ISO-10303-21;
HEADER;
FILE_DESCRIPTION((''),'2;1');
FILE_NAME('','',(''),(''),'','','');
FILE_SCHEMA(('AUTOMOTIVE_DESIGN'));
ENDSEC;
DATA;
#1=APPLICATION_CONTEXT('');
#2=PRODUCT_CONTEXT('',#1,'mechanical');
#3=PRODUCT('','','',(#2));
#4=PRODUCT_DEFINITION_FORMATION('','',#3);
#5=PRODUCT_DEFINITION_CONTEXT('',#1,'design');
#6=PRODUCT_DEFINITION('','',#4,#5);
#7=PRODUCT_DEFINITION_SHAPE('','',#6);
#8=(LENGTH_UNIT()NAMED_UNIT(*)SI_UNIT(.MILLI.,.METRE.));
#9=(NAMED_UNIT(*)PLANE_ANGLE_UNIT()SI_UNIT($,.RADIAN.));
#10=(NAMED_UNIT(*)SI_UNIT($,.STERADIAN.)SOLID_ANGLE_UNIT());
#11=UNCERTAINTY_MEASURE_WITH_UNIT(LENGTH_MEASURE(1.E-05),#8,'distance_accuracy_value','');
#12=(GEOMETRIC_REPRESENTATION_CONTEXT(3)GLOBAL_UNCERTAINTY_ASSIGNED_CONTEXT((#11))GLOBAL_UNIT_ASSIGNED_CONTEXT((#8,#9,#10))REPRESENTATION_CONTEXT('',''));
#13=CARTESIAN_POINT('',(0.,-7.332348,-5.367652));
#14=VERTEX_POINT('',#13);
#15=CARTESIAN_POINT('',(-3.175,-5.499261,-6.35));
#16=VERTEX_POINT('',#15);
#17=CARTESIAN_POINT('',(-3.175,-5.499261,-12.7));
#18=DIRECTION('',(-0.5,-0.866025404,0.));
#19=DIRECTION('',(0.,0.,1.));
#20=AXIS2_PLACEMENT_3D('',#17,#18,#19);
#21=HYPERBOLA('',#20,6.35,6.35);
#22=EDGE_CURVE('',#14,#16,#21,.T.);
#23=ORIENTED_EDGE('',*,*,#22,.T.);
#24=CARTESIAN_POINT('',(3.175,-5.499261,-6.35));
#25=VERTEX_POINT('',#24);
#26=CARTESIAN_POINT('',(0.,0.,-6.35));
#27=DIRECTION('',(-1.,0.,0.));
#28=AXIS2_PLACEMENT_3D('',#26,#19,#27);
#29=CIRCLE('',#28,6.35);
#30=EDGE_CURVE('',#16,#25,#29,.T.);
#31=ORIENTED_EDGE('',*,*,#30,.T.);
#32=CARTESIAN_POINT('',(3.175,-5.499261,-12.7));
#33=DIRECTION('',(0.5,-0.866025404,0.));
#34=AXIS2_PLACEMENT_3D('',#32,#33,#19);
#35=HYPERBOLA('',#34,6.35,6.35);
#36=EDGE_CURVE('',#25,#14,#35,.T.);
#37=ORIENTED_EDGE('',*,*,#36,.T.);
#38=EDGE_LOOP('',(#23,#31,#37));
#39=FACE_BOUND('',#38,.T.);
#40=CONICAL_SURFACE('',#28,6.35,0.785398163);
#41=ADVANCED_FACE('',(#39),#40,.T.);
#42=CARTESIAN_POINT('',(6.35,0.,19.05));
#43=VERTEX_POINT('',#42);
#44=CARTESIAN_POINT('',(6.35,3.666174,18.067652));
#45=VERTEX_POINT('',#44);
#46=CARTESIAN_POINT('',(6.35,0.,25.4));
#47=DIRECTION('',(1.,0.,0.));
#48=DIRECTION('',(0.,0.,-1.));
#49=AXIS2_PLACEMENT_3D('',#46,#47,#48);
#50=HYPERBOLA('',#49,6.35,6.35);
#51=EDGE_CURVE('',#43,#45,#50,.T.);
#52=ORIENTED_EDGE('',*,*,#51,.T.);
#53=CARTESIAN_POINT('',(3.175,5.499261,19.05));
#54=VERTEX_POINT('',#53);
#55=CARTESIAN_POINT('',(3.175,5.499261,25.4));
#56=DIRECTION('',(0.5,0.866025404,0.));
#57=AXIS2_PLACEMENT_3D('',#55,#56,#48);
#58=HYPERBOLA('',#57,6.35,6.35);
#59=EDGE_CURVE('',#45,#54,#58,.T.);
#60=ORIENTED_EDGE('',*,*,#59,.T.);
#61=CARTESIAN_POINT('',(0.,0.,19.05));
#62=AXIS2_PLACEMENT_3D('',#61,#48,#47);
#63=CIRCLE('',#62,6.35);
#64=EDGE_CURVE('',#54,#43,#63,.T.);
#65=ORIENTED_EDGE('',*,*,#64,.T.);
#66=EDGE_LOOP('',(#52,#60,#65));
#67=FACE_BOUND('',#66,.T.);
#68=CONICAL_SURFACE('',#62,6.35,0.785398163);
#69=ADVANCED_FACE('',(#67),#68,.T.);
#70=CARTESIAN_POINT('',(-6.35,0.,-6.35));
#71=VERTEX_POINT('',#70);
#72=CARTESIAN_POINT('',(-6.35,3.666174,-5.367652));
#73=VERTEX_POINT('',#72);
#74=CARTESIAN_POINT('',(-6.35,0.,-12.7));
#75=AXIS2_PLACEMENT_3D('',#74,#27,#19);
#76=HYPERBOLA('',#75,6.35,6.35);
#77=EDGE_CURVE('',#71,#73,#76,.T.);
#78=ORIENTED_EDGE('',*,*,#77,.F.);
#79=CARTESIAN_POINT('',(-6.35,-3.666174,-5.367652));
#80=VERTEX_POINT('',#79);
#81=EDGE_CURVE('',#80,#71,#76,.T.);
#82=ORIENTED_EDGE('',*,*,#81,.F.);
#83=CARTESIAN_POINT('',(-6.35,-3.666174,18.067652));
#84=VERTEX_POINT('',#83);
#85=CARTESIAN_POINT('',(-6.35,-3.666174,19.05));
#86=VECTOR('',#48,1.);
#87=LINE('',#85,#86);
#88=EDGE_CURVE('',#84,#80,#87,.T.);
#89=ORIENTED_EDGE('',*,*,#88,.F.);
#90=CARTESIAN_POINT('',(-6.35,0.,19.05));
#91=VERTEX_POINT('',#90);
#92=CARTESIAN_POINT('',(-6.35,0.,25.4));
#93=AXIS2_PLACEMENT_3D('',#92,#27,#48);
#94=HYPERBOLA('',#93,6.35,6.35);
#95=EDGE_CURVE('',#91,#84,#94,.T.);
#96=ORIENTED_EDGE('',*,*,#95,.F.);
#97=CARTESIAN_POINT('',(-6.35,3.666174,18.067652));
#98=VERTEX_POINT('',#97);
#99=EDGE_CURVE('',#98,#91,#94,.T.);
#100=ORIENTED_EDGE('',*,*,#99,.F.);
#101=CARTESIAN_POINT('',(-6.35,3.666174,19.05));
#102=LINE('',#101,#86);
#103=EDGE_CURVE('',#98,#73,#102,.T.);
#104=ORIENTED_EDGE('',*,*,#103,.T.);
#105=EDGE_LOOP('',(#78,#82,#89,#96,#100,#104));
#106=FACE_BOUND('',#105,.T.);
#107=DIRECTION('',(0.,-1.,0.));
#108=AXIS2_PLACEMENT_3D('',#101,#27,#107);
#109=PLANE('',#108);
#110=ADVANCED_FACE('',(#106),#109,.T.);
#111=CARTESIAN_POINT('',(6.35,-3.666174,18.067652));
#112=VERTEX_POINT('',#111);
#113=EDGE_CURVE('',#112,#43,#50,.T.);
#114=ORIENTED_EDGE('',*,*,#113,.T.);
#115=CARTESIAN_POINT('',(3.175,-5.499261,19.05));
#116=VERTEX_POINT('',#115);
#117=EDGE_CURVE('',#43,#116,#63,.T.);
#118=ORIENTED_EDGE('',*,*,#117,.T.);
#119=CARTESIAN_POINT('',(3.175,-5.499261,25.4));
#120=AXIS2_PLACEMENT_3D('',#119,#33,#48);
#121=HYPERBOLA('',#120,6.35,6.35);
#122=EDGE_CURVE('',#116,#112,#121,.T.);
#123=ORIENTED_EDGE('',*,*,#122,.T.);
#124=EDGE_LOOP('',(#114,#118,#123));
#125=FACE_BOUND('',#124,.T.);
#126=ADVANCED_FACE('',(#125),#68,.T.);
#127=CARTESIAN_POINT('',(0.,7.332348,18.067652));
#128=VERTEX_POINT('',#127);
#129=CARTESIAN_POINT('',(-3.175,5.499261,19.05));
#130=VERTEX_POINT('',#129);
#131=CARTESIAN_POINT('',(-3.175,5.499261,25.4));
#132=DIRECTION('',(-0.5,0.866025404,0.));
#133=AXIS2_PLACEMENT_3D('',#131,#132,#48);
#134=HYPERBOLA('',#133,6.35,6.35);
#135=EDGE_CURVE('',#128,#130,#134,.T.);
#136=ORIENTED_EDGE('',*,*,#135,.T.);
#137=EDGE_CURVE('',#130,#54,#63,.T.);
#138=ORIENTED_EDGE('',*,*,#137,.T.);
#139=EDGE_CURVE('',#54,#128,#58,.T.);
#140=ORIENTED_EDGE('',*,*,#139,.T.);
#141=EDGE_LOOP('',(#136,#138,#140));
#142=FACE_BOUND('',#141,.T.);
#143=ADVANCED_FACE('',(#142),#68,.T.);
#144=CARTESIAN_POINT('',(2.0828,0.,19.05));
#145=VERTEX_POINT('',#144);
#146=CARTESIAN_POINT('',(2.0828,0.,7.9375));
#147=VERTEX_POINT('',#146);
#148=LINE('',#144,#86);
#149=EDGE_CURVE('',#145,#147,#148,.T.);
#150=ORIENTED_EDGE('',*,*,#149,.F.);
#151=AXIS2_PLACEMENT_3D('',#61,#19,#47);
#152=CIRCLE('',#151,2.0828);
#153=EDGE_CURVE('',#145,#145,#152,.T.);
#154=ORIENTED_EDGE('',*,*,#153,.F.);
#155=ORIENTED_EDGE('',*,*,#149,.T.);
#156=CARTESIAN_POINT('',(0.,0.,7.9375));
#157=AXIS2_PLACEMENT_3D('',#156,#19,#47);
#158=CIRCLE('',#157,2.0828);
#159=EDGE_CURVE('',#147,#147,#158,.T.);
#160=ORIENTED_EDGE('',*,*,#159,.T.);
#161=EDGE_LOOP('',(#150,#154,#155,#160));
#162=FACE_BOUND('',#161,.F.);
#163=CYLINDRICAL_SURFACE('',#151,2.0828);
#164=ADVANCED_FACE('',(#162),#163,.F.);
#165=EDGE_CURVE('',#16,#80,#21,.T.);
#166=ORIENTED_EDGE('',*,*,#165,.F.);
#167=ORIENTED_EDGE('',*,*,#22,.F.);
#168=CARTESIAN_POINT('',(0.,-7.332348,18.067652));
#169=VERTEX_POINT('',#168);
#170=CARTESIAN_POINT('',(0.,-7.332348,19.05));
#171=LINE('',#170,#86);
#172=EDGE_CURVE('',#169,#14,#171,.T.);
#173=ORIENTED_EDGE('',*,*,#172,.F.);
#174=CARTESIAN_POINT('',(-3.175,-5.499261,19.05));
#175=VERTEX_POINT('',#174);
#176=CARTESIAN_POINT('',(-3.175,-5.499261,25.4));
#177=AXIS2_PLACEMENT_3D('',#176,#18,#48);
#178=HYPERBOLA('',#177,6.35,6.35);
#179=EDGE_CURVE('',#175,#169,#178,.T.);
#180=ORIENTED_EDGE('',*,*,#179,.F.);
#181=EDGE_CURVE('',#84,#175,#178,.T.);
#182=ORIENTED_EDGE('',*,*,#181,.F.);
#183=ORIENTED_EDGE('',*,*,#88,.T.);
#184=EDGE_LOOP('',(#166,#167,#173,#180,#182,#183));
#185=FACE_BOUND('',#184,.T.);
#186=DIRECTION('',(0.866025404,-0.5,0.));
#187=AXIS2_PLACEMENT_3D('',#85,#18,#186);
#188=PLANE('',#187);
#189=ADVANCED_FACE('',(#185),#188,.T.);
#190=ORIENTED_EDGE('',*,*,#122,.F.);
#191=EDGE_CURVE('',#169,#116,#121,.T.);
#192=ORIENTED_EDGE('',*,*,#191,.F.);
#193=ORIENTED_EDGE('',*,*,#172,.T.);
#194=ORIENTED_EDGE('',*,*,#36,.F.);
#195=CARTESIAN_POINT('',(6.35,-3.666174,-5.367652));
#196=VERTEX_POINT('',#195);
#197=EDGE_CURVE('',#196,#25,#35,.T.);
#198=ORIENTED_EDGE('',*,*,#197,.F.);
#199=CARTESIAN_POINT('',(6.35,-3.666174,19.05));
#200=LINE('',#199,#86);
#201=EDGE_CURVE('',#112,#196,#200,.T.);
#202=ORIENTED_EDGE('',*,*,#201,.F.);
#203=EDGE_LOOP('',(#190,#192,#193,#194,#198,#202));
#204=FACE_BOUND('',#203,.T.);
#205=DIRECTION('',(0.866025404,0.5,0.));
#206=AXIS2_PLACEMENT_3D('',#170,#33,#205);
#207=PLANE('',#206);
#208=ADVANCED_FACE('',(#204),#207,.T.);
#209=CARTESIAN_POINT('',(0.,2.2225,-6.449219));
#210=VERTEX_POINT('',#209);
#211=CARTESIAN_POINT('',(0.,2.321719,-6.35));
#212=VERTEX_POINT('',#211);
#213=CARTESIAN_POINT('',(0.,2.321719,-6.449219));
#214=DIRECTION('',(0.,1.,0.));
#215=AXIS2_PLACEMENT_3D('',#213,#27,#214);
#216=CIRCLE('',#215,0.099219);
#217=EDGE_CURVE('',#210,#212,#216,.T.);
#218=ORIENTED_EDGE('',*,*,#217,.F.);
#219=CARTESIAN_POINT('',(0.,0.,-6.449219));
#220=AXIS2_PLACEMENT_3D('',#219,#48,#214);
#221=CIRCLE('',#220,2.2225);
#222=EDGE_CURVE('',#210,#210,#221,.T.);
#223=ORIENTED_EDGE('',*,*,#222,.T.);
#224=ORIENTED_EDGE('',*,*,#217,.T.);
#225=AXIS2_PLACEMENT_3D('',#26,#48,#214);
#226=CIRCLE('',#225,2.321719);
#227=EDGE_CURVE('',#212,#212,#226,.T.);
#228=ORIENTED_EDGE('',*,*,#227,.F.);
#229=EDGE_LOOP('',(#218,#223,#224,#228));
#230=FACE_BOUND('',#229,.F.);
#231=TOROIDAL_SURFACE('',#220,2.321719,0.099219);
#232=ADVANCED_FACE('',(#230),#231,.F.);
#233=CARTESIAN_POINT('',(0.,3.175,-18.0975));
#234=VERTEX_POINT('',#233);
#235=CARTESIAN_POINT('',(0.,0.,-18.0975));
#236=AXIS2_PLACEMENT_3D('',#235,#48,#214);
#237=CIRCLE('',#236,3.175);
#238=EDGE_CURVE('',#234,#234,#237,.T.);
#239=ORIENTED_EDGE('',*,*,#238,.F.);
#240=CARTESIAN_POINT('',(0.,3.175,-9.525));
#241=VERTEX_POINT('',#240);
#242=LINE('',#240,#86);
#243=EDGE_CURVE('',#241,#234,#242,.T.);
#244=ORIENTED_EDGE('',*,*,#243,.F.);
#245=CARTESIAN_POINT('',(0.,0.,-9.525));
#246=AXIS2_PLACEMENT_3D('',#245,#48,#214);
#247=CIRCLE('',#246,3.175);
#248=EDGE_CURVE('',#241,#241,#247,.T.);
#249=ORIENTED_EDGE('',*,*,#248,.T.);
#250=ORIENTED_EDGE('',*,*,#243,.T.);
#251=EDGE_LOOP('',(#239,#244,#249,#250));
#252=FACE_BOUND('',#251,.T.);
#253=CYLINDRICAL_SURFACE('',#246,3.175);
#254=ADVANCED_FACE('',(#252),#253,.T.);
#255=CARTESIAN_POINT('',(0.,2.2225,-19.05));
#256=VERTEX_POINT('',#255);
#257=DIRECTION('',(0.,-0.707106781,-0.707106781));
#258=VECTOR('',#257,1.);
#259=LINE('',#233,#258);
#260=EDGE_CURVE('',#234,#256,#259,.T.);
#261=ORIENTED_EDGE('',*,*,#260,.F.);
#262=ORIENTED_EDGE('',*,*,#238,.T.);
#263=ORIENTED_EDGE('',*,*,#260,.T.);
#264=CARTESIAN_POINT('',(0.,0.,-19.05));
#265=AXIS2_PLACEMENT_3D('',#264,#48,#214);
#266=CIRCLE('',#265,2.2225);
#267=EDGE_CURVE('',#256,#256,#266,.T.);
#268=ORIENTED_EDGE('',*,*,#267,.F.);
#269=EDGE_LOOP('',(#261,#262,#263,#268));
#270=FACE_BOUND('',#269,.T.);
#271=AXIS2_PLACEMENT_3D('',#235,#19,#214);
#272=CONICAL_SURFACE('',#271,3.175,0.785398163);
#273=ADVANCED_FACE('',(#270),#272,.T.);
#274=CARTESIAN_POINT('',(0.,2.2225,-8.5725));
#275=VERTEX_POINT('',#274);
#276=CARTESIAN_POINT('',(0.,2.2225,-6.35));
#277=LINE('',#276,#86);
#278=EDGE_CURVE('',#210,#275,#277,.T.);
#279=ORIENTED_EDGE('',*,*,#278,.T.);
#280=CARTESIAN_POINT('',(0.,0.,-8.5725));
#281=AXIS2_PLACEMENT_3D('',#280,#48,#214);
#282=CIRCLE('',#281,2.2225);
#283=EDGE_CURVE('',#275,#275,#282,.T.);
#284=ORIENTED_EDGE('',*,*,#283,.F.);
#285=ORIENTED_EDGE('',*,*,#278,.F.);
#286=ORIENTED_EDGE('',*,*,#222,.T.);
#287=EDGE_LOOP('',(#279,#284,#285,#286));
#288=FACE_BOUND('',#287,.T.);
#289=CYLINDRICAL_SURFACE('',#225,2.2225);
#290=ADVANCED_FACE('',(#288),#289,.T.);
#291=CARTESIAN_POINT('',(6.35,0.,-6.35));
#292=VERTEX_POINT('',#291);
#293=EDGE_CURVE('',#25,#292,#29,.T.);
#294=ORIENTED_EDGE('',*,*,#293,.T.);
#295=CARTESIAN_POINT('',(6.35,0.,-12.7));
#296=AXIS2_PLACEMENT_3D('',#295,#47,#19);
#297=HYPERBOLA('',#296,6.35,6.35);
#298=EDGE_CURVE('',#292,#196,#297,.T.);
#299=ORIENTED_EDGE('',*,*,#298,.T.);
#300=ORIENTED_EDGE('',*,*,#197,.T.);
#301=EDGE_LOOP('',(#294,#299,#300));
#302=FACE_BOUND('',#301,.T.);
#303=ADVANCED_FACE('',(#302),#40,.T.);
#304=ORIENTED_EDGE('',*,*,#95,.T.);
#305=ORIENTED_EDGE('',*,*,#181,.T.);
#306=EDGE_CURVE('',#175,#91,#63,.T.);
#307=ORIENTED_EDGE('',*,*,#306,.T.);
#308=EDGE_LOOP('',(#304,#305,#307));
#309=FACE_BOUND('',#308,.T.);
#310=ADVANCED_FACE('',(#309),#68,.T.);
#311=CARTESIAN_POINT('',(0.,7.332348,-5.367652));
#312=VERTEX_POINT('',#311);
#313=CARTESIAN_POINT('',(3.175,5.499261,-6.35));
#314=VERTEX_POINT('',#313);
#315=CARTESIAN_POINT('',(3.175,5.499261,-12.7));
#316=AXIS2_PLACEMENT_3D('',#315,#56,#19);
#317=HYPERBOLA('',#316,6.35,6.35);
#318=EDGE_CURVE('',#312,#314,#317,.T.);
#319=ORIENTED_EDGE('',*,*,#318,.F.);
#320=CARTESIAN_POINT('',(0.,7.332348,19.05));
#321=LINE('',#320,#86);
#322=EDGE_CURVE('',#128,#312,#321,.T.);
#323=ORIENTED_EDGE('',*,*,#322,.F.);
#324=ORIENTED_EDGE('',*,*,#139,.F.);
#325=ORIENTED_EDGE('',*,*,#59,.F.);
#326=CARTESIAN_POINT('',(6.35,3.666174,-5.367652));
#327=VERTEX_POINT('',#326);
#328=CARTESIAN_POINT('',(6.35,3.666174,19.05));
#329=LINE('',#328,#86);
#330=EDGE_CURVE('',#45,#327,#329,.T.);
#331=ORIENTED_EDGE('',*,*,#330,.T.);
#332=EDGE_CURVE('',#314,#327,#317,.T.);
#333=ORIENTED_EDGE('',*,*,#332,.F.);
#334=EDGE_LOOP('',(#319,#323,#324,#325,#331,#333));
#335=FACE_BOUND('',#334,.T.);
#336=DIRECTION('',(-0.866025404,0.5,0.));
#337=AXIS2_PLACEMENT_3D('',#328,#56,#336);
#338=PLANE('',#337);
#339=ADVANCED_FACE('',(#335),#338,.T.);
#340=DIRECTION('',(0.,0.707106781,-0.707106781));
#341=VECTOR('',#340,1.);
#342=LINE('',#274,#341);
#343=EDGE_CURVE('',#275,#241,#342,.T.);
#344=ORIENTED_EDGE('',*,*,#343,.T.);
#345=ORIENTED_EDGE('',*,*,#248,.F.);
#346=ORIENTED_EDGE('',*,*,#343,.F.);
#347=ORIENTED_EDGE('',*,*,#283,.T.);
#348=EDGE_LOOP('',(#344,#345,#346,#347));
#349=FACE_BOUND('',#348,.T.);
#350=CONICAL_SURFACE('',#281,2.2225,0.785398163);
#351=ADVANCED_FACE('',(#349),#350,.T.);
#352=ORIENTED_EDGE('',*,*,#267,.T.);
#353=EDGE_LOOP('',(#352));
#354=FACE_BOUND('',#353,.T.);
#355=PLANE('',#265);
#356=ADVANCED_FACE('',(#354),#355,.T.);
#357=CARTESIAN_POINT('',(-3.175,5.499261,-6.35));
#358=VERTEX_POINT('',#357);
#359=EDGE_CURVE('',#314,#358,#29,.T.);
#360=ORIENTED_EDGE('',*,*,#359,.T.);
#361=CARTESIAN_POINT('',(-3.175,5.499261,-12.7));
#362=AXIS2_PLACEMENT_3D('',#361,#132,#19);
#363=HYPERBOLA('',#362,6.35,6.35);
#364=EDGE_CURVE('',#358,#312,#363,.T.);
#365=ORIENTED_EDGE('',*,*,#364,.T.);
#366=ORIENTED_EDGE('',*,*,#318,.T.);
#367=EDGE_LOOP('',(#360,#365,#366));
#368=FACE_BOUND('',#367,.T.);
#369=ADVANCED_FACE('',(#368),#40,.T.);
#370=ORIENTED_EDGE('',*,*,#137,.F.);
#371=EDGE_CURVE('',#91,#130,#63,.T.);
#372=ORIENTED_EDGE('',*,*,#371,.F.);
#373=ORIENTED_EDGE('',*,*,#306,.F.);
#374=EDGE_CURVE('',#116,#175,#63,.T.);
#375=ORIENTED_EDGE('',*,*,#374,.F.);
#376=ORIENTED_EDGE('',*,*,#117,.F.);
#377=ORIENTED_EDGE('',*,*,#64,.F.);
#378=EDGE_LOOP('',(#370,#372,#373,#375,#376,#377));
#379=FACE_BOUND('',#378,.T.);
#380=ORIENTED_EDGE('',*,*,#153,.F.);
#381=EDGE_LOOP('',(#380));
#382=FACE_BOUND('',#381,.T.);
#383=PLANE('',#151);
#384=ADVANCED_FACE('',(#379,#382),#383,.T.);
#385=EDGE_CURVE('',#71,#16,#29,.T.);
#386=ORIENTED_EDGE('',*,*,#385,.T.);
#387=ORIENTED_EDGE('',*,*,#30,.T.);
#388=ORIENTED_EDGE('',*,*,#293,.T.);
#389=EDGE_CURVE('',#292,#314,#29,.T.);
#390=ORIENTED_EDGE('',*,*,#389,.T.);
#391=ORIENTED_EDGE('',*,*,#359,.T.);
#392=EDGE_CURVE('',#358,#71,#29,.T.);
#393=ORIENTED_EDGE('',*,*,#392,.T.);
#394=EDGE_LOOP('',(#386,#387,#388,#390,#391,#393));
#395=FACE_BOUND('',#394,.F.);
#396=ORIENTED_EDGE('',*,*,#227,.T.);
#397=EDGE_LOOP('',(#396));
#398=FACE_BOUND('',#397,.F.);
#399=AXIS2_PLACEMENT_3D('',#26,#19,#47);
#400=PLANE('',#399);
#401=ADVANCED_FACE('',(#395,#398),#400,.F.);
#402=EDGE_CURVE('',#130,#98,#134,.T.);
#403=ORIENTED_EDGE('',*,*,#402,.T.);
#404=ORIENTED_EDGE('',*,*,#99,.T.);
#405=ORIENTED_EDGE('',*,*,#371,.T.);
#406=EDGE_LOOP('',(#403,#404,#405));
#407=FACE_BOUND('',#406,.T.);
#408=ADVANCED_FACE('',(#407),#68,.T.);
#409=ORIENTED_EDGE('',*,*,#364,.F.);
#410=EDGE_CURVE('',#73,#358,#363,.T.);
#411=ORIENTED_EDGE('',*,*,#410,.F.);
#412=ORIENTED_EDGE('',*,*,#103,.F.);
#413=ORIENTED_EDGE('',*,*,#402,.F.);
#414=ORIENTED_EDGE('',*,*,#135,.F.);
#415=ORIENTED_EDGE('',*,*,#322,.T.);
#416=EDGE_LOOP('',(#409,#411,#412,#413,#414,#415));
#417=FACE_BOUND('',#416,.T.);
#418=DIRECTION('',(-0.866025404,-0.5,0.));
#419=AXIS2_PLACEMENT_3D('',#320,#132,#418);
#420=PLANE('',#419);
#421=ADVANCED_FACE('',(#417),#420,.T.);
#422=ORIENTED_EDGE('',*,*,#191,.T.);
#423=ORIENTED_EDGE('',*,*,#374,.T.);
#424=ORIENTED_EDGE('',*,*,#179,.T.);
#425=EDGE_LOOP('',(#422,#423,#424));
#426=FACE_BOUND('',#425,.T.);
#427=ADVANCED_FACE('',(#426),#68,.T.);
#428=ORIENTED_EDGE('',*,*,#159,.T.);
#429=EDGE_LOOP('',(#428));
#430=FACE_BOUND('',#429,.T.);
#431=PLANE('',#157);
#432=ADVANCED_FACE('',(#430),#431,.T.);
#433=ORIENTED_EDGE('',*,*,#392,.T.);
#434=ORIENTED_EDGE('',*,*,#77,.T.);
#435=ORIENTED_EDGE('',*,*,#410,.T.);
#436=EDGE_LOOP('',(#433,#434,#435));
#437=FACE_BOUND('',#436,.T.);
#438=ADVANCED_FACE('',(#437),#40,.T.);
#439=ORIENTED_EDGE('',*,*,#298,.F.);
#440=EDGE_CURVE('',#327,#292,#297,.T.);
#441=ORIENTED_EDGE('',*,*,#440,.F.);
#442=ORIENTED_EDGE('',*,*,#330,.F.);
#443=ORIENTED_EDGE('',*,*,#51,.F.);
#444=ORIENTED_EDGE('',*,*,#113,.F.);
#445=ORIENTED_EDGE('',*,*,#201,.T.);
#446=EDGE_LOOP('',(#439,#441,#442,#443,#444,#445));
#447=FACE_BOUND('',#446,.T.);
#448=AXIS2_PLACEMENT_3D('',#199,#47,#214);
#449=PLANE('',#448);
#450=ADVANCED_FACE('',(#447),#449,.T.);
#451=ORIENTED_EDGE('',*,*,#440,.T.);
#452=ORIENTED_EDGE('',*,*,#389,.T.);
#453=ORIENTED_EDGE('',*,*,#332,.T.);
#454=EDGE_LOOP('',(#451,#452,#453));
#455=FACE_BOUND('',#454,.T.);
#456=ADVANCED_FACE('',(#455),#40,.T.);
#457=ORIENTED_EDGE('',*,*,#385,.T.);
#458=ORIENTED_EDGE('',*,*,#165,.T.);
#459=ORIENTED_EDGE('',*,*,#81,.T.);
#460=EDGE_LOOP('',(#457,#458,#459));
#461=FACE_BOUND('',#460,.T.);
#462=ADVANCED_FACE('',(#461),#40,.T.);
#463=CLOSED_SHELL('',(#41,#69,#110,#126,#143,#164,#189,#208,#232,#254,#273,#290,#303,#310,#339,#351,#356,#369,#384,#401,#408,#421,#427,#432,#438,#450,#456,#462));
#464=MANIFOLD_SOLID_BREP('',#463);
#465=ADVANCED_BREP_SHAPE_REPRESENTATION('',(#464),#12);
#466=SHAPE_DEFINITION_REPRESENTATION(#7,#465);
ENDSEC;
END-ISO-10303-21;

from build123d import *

# Parameters (mm, degrees)
BOSS_EXTRUDE1_START = 19.05
BOSS_EXTRUDE1_DEPTH = 25.4
CHAMFER1_SIZE       = 0.9525
SKETCH4_R           = 2.0828
CUT_EXTRUDE1_DEPTH  = 11.1125
FILLET1_R           = 0.09921875
SKETCH5_OUTSIDE_W   = 101.45
SKETCH5_OUTSIDE_H   = 103.414
SKETCH5_OUTSIDE_R   = 6.35
CUT_EXTRUDE2_DEPTH  = 39.1
CUT_EXTRUDE2_TAPER  = 45
SKETCH6_OUTSIDE_W   = 76.05
SKETCH6_OUTSIDE_H   = 78.014
SKETCH6_OUTSIDE_R   = 6.35
CUT_EXTRUDE3_DEPTH  = 26.4
CUT_EXTRUDE3_TAPER  = 45


with BuildPart() as part:
    # Sketch2 → Boss-Extrude1 (new body)
    with BuildSketch(Plane.XY.offset(BOSS_EXTRUDE1_START)):
        Polygon((6.35, 3.666174209), (0, 7.332348419), (-6.35, 3.666174209), (-6.35, -3.666174209), (0, -7.332348419), (6.35, -3.666174209), align=None)
    extrude(amount=-BOSS_EXTRUDE1_DEPTH)

    # Sketch3 → Revolve1 (revolve)
    with BuildSketch(Plane(origin=(0, 0, 0), x_dir=(0, 0, -1), z_dir=(1, 0, 0))):
        Polygon((6.35, 2.2225), (8.5725, 2.2225), (9.525, 3.175), (19.05, 3.175), (19.05, 0), (6.35, 0), align=None)
    revolve(axis=Axis((0, 0, 19.05), (0, 0, -1)))

    # Chamfer1
    chamfer1_edges = [part.edges().sort_by_distance(p)[0] for p in [
        (0, -3.175, -19.05),
    ]]
    chamfer(chamfer1_edges, length=CHAMFER1_SIZE)

    # Sketch4 → Cut-Extrude1 (cut)
    with BuildSketch(Plane.XY.offset(19.05)):
        Circle(SKETCH4_R)
    extrude(amount=-CUT_EXTRUDE1_DEPTH, mode=Mode.SUBTRACT)

    # Fillet1
    fillet1_edges = [part.edges().sort_by_distance(p)[0] for p in [
        (0, -2.2225, -6.35),
    ]]
    fillet(fillet1_edges, radius=FILLET1_R)

    # Sketch5 outside → Cut-Extrude2 (cut, through all)
    with BuildSketch(Plane.XY.offset(19.05)):
        Rectangle(SKETCH5_OUTSIDE_W, SKETCH5_OUTSIDE_H)
        Circle(SKETCH5_OUTSIDE_R, mode=Mode.SUBTRACT)
    extrude(amount=-CUT_EXTRUDE2_DEPTH, taper=CUT_EXTRUDE2_TAPER, mode=Mode.SUBTRACT)

    # Sketch6 outside → Cut-Extrude3 (cut, through all)
    with BuildSketch(Plane(origin=(0, 0, -6.35), x_dir=(-1, 0, 0), z_dir=(0, 0, -1))):
        Rectangle(SKETCH6_OUTSIDE_W, SKETCH6_OUTSIDE_H)
        Circle(SKETCH6_OUTSIDE_R, mode=Mode.SUBTRACT)
    extrude(amount=-CUT_EXTRUDE3_DEPTH, taper=CUT_EXTRUDE3_TAPER, mode=Mode.SUBTRACT)


solid = part.part
